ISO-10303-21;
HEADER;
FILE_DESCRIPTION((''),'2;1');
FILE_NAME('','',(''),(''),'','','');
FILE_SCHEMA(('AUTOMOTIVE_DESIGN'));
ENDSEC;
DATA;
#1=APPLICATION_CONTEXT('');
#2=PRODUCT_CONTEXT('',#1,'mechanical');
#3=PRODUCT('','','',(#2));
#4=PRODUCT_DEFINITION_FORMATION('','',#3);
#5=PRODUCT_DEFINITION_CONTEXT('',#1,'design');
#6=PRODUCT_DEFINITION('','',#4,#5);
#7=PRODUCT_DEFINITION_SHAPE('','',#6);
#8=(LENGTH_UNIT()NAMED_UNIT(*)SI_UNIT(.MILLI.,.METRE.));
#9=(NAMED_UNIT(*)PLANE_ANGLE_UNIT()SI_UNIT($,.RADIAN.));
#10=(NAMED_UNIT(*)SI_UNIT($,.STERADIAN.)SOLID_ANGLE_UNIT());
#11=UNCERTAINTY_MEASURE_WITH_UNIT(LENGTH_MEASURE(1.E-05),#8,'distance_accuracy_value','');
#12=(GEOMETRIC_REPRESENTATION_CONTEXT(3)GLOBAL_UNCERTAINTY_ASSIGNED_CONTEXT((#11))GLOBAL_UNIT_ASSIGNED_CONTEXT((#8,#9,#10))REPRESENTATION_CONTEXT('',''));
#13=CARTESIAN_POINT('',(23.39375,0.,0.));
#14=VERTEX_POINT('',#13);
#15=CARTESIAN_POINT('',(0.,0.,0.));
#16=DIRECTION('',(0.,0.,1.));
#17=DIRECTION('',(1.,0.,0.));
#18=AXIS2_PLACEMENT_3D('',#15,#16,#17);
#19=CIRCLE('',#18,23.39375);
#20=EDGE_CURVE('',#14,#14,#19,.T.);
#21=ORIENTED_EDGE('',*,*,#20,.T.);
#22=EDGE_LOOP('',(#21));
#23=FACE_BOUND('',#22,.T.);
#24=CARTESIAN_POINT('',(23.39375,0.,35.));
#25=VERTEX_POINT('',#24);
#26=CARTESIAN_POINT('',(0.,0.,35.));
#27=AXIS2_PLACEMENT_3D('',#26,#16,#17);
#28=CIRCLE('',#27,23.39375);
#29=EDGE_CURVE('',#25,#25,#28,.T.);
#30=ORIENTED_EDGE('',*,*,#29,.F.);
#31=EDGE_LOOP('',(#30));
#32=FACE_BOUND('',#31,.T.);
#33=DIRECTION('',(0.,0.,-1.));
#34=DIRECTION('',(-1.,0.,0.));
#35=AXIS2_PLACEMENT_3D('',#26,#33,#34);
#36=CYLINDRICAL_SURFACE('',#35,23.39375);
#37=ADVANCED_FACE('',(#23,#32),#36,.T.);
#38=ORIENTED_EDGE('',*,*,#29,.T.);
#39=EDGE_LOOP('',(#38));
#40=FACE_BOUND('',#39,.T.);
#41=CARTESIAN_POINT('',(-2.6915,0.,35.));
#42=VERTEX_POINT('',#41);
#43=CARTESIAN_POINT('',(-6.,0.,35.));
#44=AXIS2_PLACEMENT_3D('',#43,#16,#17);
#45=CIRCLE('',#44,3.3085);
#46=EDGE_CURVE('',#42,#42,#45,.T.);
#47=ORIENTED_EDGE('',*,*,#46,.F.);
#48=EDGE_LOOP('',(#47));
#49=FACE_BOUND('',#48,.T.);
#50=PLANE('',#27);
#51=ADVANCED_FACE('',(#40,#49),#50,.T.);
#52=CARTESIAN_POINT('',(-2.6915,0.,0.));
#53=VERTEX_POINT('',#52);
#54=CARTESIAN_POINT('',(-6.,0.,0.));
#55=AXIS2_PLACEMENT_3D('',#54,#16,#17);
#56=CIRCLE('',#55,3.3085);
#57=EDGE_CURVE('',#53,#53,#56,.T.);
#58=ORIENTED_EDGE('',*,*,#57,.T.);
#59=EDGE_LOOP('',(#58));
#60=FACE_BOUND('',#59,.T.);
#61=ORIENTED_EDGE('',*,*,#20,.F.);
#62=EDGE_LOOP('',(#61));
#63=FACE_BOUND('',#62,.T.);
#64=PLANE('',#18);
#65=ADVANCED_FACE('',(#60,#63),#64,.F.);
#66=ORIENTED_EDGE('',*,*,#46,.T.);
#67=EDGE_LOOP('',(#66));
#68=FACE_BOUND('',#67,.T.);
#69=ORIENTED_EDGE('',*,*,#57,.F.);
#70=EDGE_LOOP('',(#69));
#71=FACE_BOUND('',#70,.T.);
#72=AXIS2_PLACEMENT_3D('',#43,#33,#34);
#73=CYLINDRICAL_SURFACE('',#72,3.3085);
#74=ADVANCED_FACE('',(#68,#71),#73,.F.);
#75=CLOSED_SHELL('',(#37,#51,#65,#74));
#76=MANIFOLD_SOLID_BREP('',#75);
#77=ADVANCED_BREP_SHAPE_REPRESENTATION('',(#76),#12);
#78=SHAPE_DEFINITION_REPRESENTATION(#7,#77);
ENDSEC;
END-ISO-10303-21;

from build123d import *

# Parameters (mm, degrees)
SKETCH11_R           = 23.39375
SKETCH11_R_2         = 3.3085
BOSS_EXTRUDE13_DEPTH = 35


with BuildPart() as part:
    # Sketch11 → Boss-Extrude13 (new body)
    with BuildSketch(Plane.XY):
        Circle(SKETCH11_R)
        with Locations((-6, 0)):
            Circle(SKETCH11_R_2, mode=Mode.SUBTRACT)
    extrude(amount=BOSS_EXTRUDE13_DEPTH)


solid = part.part
